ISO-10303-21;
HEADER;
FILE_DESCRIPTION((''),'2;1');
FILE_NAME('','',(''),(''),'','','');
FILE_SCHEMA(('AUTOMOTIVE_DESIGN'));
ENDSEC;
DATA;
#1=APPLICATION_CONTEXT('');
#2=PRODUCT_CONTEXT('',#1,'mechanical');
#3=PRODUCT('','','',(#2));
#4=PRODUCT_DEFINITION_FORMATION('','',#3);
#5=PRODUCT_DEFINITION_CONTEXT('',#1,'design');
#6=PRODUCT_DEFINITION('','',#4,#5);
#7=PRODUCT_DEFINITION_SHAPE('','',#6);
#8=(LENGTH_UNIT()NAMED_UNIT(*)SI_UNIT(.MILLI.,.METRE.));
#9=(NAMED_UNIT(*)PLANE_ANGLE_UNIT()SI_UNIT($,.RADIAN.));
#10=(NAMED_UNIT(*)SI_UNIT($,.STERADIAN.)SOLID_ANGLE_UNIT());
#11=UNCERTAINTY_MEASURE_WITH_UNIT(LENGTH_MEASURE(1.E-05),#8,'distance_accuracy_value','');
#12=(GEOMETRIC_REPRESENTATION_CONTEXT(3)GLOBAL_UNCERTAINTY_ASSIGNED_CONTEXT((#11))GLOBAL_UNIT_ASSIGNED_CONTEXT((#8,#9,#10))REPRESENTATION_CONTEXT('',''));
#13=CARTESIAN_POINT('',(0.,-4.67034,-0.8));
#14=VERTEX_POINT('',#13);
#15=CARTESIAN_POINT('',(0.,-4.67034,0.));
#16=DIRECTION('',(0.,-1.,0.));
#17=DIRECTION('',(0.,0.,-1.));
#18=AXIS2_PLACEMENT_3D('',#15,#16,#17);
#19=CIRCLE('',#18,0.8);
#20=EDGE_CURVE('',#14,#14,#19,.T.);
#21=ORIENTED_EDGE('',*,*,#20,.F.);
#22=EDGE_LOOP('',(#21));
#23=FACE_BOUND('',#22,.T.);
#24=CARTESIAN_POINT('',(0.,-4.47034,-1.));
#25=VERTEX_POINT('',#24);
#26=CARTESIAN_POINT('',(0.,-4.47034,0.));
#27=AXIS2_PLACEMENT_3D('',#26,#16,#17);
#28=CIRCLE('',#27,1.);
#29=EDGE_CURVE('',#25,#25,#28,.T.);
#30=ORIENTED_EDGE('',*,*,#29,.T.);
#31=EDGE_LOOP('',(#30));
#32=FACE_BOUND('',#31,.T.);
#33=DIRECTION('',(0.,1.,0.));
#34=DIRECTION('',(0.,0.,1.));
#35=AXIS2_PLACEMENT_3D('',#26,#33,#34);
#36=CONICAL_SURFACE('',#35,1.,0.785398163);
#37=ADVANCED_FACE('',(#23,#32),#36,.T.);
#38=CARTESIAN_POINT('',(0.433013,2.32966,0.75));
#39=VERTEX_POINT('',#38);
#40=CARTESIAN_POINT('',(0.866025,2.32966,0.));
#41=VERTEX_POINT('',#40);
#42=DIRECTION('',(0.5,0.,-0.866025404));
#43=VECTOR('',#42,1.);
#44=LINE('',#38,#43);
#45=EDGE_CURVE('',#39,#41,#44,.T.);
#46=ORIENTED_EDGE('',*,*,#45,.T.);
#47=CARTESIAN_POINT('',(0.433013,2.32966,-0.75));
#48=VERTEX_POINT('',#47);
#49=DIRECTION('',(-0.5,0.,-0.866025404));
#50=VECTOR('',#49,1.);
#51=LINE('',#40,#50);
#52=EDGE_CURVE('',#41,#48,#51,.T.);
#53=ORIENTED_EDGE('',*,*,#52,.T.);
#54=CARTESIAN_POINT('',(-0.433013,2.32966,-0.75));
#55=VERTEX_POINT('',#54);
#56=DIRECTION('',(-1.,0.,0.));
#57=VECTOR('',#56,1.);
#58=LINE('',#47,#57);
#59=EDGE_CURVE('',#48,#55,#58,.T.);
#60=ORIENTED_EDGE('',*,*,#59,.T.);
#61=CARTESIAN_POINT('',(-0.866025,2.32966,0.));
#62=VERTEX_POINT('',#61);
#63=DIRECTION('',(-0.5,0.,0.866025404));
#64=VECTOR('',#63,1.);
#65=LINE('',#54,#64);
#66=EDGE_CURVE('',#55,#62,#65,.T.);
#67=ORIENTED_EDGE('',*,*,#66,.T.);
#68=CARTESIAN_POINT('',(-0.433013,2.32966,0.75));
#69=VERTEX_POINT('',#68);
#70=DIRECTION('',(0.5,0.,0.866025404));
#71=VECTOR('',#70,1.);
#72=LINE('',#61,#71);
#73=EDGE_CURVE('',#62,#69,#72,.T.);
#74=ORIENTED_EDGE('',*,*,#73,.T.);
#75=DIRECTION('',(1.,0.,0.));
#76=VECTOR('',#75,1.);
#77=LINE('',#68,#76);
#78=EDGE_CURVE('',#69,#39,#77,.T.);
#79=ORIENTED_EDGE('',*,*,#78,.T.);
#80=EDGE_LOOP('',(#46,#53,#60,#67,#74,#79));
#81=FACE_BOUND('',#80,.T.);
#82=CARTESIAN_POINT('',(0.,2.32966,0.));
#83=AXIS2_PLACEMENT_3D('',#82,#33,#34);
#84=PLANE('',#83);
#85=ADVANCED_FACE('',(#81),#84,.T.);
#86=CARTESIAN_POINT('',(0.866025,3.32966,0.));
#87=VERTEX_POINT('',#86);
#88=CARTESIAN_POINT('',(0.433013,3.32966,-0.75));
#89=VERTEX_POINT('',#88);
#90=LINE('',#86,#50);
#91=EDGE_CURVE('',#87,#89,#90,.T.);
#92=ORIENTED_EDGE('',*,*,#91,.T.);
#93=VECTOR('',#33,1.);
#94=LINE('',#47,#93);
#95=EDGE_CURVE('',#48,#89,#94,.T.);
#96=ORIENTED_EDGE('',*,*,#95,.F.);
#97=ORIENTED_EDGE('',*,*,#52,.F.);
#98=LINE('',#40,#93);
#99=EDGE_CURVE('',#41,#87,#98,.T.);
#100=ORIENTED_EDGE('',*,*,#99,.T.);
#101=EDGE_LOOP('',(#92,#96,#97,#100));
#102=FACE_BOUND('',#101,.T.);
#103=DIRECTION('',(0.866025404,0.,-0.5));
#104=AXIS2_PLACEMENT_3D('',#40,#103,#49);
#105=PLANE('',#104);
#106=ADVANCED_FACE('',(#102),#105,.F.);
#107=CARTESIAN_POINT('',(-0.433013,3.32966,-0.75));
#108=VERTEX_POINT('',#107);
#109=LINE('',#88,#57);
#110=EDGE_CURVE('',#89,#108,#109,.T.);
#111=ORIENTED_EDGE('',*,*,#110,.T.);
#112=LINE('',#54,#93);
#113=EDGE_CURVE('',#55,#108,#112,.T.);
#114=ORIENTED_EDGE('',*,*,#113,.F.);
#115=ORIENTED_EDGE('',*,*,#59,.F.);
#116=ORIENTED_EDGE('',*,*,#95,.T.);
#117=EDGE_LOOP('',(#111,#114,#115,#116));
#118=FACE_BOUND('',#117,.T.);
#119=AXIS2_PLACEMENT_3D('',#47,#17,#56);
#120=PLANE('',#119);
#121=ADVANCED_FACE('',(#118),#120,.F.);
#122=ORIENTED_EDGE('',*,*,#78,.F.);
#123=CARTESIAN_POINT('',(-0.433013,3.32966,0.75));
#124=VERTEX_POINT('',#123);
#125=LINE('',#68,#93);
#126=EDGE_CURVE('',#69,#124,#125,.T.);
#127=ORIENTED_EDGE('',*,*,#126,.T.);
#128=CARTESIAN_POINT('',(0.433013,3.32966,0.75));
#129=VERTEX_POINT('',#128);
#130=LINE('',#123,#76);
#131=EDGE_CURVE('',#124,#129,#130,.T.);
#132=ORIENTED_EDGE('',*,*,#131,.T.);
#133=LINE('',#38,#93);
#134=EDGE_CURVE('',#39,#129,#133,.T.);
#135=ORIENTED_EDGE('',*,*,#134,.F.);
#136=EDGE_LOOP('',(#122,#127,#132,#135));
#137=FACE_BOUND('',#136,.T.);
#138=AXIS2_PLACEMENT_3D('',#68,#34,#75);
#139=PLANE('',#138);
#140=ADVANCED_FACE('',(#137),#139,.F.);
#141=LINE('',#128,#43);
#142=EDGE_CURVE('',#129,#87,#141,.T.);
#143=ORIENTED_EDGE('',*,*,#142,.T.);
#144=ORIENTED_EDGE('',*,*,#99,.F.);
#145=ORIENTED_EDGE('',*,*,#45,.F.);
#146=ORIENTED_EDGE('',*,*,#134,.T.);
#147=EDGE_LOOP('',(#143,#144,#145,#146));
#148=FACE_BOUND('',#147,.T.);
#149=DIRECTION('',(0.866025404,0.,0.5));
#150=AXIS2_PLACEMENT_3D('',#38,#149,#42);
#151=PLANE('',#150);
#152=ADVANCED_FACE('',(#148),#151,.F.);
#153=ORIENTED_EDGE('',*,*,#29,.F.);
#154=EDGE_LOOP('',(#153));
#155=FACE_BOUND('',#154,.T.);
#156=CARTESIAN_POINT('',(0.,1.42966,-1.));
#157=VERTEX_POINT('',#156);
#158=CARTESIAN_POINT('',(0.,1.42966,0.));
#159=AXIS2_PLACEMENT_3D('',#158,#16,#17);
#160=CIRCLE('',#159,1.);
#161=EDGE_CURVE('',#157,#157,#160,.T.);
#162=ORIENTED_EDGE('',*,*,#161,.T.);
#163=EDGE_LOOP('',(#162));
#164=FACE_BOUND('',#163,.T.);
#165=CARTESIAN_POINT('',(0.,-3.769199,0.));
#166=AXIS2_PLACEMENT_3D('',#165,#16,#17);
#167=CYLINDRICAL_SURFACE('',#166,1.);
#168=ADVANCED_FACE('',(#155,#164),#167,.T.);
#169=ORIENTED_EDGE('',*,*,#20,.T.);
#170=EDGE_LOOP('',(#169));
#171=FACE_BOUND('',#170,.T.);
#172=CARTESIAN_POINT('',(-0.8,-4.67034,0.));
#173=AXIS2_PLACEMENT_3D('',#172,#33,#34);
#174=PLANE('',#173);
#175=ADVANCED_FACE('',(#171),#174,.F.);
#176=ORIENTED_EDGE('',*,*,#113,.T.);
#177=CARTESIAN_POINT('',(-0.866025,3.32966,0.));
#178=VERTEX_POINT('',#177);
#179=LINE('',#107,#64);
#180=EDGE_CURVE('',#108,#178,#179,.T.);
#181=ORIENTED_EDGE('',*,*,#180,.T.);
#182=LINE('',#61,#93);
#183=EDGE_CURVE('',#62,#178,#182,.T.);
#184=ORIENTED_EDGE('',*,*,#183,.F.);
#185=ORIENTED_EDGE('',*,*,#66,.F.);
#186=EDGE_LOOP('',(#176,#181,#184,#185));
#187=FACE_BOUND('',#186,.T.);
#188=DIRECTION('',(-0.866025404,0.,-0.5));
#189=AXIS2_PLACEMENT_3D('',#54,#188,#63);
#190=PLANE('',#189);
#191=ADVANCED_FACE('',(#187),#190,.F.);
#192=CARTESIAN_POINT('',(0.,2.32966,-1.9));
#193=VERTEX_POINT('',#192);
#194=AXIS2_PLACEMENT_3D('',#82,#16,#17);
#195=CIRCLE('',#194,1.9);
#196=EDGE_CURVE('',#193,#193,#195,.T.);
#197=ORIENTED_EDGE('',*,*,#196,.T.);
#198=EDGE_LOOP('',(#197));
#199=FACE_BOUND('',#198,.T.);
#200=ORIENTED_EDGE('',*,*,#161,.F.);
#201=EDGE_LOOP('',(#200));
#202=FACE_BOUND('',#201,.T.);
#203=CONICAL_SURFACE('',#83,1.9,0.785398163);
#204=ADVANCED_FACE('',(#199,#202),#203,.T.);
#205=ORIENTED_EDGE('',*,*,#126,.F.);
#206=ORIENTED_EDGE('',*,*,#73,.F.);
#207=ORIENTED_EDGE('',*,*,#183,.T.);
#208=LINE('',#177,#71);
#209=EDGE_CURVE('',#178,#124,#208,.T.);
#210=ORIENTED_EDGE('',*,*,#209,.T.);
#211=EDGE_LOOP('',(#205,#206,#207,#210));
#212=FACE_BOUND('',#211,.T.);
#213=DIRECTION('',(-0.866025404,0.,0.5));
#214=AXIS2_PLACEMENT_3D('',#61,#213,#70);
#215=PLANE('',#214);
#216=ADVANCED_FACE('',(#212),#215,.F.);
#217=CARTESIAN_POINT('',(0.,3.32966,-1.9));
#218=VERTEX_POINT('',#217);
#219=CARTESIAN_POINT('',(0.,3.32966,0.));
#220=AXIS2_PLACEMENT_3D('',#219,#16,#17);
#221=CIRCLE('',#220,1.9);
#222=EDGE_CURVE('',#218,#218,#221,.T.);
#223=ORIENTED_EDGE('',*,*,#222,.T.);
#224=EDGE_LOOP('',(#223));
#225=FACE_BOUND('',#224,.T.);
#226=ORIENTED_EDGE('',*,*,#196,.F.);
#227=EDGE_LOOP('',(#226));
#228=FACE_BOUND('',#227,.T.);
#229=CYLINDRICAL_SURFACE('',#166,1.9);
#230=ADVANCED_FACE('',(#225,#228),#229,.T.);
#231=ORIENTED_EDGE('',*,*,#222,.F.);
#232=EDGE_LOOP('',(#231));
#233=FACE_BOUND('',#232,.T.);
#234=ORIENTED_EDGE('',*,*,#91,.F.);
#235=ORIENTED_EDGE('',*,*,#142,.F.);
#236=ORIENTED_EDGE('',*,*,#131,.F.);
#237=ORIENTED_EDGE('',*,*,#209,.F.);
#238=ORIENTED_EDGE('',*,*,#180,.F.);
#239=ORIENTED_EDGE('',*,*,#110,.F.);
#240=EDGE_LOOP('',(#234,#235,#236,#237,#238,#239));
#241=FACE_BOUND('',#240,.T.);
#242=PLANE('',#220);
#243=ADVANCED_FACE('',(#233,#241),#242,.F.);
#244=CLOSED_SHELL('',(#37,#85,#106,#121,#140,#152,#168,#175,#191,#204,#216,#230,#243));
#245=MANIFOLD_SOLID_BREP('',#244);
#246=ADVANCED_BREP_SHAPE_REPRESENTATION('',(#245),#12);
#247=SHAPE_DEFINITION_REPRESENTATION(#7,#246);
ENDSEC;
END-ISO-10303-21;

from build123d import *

# Parameters (mm, degrees)
CUT_EXTRUDE_1_DEPTH = 1


with BuildPart() as part:
    # 草图1 → 旋转1 (revolve)
    with BuildSketch(Plane.XY, mode=Mode.PRIVATE) as revolve_1_sk:
        Polygon((0, 3.329659811), (-1.9, 3.329659811), (-1.9, 2.329659811), (-1, 1.429659811), (-1, -4.470340189), (-0.8, -4.670340189), (0, -4.670340189), align=None)
    revolve(revolve_1_sk.sketch.rotate(Axis((0, -3.769198969, 0), (0, 1, 0)), 270), axis=Axis((0, -3.769198969, 0), (0, 1, 0)))

    # 草图2 → 切除-拉伸1 (cut)
    with BuildSketch(Plane(origin=(0, 3.329659811, 0), x_dir=(1, 0, 0), z_dir=(0, 1, 0))):
        Polygon((-0.433012702, -0.75), (0.433012702, -0.75), (0.866025404, 0), (0.433012702, 0.75), (-0.433012702, 0.75), (-0.866025404, 0), align=None)
    extrude(amount=-CUT_EXTRUDE_1_DEPTH, mode=Mode.SUBTRACT)


solid = part.part
